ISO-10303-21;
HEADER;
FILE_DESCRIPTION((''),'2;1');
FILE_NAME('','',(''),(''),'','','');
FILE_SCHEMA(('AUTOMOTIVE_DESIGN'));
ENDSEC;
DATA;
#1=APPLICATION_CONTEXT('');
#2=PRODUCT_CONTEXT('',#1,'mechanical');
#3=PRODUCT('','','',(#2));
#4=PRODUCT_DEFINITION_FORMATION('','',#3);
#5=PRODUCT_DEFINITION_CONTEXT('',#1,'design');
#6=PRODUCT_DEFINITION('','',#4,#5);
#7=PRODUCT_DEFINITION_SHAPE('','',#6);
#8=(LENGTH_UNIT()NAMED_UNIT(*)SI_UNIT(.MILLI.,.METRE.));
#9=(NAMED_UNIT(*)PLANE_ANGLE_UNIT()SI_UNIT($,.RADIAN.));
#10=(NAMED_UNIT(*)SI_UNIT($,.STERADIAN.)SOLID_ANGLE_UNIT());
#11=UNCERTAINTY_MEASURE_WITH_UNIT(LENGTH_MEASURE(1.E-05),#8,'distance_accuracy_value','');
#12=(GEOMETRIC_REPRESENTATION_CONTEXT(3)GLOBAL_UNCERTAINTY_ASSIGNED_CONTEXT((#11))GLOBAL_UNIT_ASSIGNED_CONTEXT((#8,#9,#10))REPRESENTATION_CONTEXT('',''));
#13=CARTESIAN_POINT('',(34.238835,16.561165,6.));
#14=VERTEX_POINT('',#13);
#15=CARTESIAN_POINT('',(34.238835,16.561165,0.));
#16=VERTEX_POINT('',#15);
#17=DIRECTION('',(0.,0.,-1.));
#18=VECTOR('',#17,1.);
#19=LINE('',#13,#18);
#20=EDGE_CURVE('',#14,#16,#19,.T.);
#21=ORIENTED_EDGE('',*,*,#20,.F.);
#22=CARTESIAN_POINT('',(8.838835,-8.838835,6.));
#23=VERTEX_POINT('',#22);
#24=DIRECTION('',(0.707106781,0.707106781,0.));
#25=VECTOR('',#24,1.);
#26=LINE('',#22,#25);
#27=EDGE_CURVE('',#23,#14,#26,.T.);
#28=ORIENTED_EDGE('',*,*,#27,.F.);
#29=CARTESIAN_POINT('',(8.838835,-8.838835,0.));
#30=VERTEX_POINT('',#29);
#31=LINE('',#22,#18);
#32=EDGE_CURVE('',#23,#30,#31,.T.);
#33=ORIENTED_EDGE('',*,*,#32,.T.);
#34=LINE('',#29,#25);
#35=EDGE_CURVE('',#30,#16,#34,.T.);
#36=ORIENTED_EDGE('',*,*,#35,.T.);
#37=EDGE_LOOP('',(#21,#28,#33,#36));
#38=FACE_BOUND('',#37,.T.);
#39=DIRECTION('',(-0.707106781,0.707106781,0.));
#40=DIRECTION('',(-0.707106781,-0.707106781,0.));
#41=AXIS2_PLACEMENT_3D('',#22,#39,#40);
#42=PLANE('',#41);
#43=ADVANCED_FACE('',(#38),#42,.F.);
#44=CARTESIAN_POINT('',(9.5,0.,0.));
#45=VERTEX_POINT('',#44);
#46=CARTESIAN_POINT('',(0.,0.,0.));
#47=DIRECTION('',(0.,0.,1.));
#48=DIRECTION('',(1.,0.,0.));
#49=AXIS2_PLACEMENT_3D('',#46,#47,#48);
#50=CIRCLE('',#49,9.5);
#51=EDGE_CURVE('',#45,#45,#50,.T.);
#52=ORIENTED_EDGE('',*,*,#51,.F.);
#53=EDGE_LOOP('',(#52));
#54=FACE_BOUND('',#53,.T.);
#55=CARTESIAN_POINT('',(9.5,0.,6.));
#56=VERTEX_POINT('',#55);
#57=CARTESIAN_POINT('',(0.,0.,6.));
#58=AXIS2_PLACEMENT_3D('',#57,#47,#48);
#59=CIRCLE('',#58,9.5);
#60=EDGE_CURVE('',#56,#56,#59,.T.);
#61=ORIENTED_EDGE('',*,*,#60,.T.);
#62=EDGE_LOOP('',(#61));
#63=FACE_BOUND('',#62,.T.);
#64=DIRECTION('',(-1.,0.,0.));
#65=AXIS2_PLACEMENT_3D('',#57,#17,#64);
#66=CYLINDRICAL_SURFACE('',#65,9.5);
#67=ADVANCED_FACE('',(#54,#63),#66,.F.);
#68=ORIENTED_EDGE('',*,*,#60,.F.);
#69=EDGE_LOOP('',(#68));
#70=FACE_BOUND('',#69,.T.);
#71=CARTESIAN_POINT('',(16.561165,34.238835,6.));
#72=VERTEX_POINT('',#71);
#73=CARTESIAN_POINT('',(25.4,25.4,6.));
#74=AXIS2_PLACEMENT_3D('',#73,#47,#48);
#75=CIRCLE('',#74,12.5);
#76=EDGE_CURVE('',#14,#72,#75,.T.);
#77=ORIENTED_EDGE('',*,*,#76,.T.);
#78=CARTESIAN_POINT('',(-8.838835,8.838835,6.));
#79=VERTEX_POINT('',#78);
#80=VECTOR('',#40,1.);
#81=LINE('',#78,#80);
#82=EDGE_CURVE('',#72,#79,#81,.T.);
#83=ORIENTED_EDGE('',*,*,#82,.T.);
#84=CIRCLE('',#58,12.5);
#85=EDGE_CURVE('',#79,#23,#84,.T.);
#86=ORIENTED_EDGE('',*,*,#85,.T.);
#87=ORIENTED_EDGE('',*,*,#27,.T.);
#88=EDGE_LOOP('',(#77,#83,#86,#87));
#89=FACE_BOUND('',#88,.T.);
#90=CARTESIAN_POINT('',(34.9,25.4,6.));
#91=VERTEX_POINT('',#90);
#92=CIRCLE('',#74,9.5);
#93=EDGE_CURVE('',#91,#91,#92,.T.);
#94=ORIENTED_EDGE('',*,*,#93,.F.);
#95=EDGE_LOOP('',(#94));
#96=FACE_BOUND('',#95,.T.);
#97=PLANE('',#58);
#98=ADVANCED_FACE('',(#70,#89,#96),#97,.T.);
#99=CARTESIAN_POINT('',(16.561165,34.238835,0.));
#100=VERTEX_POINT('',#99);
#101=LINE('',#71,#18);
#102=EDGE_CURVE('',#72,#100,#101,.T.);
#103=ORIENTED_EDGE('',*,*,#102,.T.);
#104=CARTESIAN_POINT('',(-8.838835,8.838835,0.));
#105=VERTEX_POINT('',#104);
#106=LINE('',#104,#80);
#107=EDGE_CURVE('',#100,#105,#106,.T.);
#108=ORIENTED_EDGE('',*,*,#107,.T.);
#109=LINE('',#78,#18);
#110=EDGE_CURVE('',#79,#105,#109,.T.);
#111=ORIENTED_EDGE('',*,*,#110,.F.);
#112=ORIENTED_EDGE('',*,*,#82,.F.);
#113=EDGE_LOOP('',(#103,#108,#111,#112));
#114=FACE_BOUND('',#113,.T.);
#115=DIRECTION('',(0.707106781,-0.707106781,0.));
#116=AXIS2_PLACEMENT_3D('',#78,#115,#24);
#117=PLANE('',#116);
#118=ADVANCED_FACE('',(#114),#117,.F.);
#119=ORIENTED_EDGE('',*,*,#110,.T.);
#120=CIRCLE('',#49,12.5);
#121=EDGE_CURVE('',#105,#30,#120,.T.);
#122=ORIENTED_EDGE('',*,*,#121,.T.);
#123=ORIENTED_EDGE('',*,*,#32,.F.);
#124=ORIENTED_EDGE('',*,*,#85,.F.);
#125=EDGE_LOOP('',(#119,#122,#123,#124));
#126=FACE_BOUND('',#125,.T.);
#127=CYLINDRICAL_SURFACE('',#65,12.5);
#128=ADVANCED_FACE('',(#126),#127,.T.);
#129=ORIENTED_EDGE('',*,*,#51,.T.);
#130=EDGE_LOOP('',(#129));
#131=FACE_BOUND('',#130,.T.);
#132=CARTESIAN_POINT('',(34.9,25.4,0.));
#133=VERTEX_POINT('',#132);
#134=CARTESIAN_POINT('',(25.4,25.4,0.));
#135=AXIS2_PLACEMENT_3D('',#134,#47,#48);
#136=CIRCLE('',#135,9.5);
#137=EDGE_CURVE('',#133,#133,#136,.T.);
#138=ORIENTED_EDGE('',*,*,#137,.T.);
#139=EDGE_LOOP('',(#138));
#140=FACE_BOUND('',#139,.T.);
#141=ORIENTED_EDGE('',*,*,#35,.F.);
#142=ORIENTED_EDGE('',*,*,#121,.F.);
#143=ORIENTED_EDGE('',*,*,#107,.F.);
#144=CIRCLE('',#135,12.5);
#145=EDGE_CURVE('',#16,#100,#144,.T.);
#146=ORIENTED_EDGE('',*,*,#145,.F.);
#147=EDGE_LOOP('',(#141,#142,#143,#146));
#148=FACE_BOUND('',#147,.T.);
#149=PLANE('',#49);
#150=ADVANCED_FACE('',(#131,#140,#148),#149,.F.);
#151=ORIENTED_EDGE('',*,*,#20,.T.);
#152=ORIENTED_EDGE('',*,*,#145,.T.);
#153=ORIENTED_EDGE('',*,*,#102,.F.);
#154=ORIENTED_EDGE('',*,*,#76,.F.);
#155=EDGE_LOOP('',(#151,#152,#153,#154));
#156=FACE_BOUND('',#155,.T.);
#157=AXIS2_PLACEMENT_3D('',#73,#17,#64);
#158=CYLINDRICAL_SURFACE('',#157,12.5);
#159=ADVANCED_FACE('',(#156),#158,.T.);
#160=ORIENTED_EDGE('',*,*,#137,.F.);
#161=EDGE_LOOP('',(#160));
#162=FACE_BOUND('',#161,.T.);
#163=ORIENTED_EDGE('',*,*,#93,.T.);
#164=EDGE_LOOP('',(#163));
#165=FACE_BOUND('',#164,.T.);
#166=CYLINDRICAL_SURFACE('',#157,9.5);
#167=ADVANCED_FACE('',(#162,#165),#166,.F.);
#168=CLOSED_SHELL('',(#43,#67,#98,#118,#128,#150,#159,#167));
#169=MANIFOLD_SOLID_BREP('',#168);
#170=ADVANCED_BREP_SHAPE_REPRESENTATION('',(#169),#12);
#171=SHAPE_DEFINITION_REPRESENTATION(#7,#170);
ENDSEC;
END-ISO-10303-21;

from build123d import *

# Parameters (mm, degrees)
SKETCH1_R           = 9.5
BOSS_EXTRUDE1_DEPTH = 6


with BuildPart() as part:
    # Sketch1 → Boss-Extrude1 (new body)
    with BuildSketch(Plane.XY):
        with BuildLine():
            Line((-8.838834765, 8.838834765), (16.561165235, 34.238834765))
            ThreePointArc((16.561165235, 34.238834765), (34.238834765, 34.238834765), (34.238834765, 16.561165235))
            Line((34.238834765, 16.561165235), (8.838834765, -8.838834765))
            ThreePointArc((8.838834765, -8.838834765), (-8.838834765, -8.838834765), (-8.838834765, 8.838834765))
        make_face()
        Circle(SKETCH1_R, mode=Mode.SUBTRACT)
        with Locations((25.4, 25.4)):
            Circle(SKETCH1_R, mode=Mode.SUBTRACT)
    extrude(amount=BOSS_EXTRUDE1_DEPTH)


solid = part.part
